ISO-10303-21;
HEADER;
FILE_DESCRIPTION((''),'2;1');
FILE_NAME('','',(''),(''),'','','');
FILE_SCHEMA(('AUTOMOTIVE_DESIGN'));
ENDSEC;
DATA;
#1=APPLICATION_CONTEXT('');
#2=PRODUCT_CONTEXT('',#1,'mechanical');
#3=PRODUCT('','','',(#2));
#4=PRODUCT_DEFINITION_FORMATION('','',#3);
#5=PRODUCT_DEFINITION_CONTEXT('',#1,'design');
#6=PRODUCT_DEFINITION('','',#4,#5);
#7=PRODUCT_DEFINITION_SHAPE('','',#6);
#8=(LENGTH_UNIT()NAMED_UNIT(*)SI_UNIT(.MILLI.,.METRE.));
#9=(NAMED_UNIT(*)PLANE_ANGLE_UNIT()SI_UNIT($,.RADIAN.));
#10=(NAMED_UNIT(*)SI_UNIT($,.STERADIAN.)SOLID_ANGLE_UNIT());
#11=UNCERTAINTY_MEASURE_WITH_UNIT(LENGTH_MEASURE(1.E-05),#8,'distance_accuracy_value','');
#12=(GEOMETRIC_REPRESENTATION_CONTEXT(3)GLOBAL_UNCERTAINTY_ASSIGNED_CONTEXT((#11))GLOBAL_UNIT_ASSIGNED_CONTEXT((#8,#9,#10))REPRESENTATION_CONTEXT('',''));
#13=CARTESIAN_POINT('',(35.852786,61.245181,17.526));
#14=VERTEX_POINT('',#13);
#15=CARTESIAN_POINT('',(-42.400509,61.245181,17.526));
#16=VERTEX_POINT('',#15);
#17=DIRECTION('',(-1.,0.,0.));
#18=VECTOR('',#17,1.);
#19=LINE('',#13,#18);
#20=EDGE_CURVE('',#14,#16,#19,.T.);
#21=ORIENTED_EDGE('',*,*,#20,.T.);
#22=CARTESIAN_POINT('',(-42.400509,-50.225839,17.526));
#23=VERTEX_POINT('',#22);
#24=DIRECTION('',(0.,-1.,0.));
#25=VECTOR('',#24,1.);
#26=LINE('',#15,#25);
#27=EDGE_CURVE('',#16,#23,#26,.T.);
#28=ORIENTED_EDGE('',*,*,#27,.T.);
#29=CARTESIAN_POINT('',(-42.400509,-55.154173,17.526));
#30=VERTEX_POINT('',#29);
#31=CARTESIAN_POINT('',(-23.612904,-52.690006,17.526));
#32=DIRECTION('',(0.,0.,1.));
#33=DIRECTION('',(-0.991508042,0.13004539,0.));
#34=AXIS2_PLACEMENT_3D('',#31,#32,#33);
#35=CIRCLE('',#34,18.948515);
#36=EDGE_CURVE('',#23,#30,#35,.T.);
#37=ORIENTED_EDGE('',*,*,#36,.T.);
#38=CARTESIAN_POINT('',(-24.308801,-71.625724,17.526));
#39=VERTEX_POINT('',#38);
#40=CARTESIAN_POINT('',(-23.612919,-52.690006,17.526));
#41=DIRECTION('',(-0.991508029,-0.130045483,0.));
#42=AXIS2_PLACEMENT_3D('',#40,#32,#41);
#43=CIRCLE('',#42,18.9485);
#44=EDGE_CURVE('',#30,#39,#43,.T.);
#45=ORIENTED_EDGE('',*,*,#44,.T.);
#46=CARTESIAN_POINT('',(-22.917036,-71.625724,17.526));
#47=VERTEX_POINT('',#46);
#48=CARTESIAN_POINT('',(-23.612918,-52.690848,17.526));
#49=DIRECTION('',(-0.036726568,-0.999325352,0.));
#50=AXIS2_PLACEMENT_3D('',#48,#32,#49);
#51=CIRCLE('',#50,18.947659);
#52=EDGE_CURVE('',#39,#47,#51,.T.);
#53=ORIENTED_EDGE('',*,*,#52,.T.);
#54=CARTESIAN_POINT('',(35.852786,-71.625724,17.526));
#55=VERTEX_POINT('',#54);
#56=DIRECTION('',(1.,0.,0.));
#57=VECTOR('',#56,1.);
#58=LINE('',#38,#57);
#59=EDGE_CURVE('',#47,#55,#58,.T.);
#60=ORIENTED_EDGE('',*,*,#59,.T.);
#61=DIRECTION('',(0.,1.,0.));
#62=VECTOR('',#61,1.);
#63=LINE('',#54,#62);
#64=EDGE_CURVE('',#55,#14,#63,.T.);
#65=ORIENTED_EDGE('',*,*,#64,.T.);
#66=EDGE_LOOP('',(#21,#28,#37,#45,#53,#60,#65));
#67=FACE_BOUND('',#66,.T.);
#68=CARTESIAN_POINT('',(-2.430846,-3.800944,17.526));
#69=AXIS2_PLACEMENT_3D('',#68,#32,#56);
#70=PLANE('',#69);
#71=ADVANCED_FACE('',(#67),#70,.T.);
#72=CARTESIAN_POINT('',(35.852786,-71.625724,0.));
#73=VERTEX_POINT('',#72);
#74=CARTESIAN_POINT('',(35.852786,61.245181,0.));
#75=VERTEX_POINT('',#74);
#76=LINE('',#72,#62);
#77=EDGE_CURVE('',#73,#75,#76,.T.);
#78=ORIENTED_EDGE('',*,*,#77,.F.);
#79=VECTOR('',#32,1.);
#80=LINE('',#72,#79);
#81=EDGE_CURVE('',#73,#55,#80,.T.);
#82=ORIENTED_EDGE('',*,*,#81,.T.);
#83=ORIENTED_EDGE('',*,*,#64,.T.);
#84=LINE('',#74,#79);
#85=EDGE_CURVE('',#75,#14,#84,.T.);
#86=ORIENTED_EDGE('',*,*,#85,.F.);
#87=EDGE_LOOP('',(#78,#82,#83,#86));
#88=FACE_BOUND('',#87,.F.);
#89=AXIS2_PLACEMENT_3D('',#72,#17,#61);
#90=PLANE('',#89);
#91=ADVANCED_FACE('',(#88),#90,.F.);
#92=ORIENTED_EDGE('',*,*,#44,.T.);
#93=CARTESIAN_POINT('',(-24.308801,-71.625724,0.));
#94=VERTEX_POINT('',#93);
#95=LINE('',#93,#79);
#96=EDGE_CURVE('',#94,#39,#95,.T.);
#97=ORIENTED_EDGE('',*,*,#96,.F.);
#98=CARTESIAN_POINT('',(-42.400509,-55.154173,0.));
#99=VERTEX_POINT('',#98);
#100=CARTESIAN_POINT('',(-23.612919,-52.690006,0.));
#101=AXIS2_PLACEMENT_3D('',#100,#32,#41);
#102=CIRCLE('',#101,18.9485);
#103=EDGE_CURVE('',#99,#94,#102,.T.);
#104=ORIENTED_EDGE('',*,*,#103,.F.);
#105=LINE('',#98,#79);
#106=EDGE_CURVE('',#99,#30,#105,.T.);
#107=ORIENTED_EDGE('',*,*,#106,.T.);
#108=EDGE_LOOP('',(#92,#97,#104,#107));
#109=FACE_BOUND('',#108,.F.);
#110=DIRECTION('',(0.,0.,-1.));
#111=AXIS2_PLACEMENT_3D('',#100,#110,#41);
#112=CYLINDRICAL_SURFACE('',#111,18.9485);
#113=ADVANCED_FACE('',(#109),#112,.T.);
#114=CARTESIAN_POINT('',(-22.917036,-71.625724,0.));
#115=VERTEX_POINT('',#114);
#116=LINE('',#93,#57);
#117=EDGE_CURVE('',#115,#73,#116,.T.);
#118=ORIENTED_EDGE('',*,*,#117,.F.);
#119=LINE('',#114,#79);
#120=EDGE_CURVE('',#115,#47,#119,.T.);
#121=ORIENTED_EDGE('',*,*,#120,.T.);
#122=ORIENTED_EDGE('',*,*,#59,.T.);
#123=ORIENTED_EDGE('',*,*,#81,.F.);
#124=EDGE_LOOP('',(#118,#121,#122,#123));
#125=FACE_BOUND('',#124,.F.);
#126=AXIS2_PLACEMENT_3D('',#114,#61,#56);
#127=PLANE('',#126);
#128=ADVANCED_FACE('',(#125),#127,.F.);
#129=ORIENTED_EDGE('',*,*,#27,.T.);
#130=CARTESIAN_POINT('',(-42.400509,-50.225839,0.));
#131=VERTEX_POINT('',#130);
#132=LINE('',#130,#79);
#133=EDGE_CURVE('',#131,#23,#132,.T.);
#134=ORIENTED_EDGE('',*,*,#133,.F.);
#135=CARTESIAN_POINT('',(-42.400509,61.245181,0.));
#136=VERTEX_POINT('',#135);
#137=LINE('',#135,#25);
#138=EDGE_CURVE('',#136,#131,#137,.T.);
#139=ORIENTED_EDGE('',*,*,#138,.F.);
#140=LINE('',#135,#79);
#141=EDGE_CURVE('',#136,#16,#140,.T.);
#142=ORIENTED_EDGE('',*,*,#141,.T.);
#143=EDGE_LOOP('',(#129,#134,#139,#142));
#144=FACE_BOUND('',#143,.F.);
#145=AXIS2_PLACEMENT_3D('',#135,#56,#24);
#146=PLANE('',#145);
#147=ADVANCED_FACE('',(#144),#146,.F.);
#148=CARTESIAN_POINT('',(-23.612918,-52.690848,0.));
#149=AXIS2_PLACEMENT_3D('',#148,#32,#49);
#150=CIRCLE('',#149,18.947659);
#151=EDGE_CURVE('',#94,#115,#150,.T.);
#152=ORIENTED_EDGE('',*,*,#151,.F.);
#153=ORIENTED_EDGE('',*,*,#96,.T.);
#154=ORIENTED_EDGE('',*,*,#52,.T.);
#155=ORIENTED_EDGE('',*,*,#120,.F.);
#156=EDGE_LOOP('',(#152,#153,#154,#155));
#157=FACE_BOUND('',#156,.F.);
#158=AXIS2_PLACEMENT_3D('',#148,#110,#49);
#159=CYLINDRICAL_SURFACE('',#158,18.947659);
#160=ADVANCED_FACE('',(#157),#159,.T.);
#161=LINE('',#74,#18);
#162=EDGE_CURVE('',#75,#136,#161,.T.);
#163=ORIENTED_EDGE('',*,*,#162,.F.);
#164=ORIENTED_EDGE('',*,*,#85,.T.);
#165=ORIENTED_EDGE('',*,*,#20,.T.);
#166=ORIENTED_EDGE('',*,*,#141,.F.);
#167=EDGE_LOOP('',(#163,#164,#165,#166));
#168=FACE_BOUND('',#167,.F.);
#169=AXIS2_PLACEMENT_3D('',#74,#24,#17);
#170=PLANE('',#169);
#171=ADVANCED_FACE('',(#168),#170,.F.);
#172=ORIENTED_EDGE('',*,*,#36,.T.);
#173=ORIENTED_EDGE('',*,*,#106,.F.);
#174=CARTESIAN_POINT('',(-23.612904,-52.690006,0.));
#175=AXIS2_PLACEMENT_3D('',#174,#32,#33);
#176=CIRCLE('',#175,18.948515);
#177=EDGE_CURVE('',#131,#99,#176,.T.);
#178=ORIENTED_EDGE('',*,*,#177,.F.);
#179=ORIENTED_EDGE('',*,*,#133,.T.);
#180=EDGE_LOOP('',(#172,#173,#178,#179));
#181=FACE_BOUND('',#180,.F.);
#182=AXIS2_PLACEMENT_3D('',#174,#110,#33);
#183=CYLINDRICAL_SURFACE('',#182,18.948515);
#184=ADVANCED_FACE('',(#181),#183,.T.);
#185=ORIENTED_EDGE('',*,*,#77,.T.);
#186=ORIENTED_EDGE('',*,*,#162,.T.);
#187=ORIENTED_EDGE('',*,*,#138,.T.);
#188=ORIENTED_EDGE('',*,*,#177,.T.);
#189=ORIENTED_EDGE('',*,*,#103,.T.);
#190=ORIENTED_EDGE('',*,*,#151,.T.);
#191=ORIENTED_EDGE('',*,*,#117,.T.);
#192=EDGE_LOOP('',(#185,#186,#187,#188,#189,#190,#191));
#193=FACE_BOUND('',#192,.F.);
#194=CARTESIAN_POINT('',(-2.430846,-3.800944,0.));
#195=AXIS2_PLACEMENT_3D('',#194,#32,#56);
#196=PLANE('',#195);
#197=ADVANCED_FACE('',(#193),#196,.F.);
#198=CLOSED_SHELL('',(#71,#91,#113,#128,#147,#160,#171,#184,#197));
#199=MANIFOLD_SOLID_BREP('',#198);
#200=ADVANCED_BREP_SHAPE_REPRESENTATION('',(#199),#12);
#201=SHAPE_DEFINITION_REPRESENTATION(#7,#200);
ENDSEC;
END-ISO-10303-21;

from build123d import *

# Parameters (mm, degrees)
F1_DEPTH = 17.526


with BuildPart() as f1:
    # F0 (on Top) → F1 (new body)
    with BuildSketch(Plane.XY):
        with BuildLine():
            Line((35.852786, 61.245181), (-42.400509, 61.245181))
            Line((-42.400509, 61.245181), (-42.400509, -50.225839))
            Line((-42.400509, -50.225839), (-42.400509, -55.154173))
            ThreePointArc((-42.400509, -55.154173), (-36.369463, -66.701296), (-24.308801, -71.625724))
            Line((-24.308801, -71.625724), (-22.917036, -71.625724))
            Line((-22.917036, -71.625724), (35.852786, -71.625724))
            Line((35.852786, -71.625724), (35.852786, 61.245181))
        make_face()
        with BuildLine():
            Line((-42.400509, -55.154173), (-42.400509, -50.225839))
            ThreePointArc((-42.400509, -50.225839), (-42.561419, -52.690006), (-42.400509, -55.154173))
        make_face()
        with BuildLine():
            ThreePointArc((-24.308801, -71.625724), (-23.612918, -71.638507), (-22.917036, -71.625724))
            Line((-22.917036, -71.625724), (-24.308801, -71.625724))
        make_face()
    extrude(amount=F1_DEPTH)


solid = f1.part
